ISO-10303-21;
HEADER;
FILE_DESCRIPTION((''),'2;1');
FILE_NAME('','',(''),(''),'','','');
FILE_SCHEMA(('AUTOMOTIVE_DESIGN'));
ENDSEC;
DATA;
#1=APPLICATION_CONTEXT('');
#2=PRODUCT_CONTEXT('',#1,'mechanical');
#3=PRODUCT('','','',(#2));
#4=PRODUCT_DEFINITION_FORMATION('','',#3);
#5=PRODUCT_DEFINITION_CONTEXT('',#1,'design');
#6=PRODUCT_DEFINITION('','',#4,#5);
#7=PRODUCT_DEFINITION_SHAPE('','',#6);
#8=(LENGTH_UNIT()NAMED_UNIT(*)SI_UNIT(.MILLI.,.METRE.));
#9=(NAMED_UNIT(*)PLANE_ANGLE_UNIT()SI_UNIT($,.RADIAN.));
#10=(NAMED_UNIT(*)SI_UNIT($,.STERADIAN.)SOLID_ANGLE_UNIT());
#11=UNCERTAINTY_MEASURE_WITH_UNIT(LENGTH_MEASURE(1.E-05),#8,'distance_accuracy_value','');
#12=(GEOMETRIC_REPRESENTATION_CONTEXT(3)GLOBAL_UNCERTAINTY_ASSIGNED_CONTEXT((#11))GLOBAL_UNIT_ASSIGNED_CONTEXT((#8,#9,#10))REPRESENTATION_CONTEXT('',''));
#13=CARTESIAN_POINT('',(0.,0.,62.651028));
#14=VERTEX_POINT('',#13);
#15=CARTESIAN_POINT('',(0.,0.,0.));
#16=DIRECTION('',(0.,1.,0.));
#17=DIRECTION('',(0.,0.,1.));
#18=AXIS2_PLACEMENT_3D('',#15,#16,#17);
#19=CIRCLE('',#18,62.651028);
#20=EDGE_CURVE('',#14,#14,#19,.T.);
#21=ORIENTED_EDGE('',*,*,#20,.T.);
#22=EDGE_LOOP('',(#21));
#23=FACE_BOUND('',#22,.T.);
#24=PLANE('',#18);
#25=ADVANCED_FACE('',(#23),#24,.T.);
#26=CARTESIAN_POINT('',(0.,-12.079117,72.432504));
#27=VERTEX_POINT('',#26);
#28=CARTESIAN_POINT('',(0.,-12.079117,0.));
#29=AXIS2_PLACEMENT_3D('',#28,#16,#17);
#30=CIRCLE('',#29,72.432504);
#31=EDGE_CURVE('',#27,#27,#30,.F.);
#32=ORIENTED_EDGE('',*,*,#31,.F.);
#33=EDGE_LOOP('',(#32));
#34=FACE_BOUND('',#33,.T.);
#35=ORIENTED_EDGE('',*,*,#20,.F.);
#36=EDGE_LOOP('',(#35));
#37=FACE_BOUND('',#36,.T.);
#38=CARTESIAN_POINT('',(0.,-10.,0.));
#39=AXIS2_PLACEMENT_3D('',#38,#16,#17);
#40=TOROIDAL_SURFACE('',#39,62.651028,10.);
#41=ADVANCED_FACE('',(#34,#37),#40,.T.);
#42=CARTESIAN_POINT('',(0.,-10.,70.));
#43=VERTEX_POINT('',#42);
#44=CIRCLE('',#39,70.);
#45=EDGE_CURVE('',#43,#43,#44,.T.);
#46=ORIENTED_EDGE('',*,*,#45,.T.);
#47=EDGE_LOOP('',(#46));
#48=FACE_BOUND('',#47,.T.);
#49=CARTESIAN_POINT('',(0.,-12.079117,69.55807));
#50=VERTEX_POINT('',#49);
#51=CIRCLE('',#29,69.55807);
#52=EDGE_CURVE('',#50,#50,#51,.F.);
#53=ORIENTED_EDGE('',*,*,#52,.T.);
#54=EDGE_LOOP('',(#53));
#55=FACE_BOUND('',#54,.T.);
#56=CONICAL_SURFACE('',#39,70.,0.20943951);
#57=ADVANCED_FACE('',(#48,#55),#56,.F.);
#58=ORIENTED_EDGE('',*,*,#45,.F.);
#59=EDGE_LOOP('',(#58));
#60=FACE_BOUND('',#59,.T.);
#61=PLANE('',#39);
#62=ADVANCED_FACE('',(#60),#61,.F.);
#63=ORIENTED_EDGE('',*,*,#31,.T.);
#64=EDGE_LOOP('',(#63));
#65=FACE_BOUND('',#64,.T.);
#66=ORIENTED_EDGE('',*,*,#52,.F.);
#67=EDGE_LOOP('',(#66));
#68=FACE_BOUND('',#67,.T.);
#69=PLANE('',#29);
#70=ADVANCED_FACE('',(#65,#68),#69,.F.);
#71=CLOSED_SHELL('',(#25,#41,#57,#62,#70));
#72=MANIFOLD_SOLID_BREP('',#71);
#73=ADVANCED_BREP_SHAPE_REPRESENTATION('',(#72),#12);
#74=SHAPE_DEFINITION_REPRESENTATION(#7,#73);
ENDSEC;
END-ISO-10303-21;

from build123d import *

# Parameters (mm, degrees)
SKETCH1_R           = 75
BOSS_EXTRUDE1_DEPTH = 100
BOSS_EXTRUDE1_TAPER = 12
SKETCH3_R           = 70
CUT_EXTRUDE1_DEPTH  = 80
CUT_EXTRUDE1_TAPER  = 12
FILLET1_R           = 10
SKETCH4_R           = 15
CUT_EXTRUDE2_DEPTH  = 90
SKETCH5_R           = 14.5
SKETCH5_R_2         = 12.5
BOSS_EXTRUDE2_DEPTH = 30
SKETCH6_R           = 12.5
CUT_EXTRUDE3_DEPTH  = 30
SKETCH7_R           = 73.5
CUT_EXTRUDE4_DEPTH  = 130


with BuildPart() as part:
    # Sketch1 → Boss-Extrude1 (new body)
    with BuildSketch(Plane(origin=(0, 0, 0), x_dir=(1, 0, 0), z_dir=(0, 1, 0))):
        Circle(SKETCH1_R)
    extrude(amount=-BOSS_EXTRUDE1_DEPTH, taper=BOSS_EXTRUDE1_TAPER)

    # Sketch3 → Cut-Extrude1 (cut)
    with BuildSketch(Plane(origin=(0, -10, 0), x_dir=(1, 0, 0), z_dir=(0, 1, 0))):
        Circle(SKETCH3_R)
    extrude(amount=-CUT_EXTRUDE1_DEPTH, taper=CUT_EXTRUDE1_TAPER, mode=Mode.SUBTRACT)

    # Fillet1
    fillet1_edges = [part.edges().sort_by_distance(p)[0] for p in [
        (-75, 0, 0),
    ]]
    fillet(fillet1_edges, radius=FILLET1_R)

    # Sketch4 → Cut-Extrude2 (cut)
    with BuildSketch(Plane.XY):
        with Locations((-25, -40)):
            Circle(SKETCH4_R)
        with Locations((25, -40)):
            Circle(SKETCH4_R)
        with BuildLine():
            Line((-15, -70), (15, -70))
            ThreePointArc((15, -70), (0, -85), (-15, -70))
        make_face()
    extrude(amount=-CUT_EXTRUDE2_DEPTH, mode=Mode.SUBTRACT)

    # Sketch5 → Boss-Extrude2 (add)
    with BuildSketch(Plane.XZ.offset(100)):
        Circle(SKETCH5_R)
        Circle(SKETCH5_R_2, mode=Mode.SUBTRACT)
    extrude(amount=BOSS_EXTRUDE2_DEPTH)

    # Sketch6 → Cut-Extrude3 (cut)
    with BuildSketch(Plane.XZ.offset(100)):
        Circle(SKETCH6_R)
    extrude(amount=-CUT_EXTRUDE3_DEPTH, mode=Mode.SUBTRACT)

    # Sketch7 → Cut-Extrude4 (cut)
    with BuildSketch(Plane(origin=(0, -12.079116908, 0), x_dir=(1, 0, 0), z_dir=(0, 1, 0))):
        Circle(SKETCH7_R)
    extrude(amount=-CUT_EXTRUDE4_DEPTH, mode=Mode.SUBTRACT)


solid = part.part
